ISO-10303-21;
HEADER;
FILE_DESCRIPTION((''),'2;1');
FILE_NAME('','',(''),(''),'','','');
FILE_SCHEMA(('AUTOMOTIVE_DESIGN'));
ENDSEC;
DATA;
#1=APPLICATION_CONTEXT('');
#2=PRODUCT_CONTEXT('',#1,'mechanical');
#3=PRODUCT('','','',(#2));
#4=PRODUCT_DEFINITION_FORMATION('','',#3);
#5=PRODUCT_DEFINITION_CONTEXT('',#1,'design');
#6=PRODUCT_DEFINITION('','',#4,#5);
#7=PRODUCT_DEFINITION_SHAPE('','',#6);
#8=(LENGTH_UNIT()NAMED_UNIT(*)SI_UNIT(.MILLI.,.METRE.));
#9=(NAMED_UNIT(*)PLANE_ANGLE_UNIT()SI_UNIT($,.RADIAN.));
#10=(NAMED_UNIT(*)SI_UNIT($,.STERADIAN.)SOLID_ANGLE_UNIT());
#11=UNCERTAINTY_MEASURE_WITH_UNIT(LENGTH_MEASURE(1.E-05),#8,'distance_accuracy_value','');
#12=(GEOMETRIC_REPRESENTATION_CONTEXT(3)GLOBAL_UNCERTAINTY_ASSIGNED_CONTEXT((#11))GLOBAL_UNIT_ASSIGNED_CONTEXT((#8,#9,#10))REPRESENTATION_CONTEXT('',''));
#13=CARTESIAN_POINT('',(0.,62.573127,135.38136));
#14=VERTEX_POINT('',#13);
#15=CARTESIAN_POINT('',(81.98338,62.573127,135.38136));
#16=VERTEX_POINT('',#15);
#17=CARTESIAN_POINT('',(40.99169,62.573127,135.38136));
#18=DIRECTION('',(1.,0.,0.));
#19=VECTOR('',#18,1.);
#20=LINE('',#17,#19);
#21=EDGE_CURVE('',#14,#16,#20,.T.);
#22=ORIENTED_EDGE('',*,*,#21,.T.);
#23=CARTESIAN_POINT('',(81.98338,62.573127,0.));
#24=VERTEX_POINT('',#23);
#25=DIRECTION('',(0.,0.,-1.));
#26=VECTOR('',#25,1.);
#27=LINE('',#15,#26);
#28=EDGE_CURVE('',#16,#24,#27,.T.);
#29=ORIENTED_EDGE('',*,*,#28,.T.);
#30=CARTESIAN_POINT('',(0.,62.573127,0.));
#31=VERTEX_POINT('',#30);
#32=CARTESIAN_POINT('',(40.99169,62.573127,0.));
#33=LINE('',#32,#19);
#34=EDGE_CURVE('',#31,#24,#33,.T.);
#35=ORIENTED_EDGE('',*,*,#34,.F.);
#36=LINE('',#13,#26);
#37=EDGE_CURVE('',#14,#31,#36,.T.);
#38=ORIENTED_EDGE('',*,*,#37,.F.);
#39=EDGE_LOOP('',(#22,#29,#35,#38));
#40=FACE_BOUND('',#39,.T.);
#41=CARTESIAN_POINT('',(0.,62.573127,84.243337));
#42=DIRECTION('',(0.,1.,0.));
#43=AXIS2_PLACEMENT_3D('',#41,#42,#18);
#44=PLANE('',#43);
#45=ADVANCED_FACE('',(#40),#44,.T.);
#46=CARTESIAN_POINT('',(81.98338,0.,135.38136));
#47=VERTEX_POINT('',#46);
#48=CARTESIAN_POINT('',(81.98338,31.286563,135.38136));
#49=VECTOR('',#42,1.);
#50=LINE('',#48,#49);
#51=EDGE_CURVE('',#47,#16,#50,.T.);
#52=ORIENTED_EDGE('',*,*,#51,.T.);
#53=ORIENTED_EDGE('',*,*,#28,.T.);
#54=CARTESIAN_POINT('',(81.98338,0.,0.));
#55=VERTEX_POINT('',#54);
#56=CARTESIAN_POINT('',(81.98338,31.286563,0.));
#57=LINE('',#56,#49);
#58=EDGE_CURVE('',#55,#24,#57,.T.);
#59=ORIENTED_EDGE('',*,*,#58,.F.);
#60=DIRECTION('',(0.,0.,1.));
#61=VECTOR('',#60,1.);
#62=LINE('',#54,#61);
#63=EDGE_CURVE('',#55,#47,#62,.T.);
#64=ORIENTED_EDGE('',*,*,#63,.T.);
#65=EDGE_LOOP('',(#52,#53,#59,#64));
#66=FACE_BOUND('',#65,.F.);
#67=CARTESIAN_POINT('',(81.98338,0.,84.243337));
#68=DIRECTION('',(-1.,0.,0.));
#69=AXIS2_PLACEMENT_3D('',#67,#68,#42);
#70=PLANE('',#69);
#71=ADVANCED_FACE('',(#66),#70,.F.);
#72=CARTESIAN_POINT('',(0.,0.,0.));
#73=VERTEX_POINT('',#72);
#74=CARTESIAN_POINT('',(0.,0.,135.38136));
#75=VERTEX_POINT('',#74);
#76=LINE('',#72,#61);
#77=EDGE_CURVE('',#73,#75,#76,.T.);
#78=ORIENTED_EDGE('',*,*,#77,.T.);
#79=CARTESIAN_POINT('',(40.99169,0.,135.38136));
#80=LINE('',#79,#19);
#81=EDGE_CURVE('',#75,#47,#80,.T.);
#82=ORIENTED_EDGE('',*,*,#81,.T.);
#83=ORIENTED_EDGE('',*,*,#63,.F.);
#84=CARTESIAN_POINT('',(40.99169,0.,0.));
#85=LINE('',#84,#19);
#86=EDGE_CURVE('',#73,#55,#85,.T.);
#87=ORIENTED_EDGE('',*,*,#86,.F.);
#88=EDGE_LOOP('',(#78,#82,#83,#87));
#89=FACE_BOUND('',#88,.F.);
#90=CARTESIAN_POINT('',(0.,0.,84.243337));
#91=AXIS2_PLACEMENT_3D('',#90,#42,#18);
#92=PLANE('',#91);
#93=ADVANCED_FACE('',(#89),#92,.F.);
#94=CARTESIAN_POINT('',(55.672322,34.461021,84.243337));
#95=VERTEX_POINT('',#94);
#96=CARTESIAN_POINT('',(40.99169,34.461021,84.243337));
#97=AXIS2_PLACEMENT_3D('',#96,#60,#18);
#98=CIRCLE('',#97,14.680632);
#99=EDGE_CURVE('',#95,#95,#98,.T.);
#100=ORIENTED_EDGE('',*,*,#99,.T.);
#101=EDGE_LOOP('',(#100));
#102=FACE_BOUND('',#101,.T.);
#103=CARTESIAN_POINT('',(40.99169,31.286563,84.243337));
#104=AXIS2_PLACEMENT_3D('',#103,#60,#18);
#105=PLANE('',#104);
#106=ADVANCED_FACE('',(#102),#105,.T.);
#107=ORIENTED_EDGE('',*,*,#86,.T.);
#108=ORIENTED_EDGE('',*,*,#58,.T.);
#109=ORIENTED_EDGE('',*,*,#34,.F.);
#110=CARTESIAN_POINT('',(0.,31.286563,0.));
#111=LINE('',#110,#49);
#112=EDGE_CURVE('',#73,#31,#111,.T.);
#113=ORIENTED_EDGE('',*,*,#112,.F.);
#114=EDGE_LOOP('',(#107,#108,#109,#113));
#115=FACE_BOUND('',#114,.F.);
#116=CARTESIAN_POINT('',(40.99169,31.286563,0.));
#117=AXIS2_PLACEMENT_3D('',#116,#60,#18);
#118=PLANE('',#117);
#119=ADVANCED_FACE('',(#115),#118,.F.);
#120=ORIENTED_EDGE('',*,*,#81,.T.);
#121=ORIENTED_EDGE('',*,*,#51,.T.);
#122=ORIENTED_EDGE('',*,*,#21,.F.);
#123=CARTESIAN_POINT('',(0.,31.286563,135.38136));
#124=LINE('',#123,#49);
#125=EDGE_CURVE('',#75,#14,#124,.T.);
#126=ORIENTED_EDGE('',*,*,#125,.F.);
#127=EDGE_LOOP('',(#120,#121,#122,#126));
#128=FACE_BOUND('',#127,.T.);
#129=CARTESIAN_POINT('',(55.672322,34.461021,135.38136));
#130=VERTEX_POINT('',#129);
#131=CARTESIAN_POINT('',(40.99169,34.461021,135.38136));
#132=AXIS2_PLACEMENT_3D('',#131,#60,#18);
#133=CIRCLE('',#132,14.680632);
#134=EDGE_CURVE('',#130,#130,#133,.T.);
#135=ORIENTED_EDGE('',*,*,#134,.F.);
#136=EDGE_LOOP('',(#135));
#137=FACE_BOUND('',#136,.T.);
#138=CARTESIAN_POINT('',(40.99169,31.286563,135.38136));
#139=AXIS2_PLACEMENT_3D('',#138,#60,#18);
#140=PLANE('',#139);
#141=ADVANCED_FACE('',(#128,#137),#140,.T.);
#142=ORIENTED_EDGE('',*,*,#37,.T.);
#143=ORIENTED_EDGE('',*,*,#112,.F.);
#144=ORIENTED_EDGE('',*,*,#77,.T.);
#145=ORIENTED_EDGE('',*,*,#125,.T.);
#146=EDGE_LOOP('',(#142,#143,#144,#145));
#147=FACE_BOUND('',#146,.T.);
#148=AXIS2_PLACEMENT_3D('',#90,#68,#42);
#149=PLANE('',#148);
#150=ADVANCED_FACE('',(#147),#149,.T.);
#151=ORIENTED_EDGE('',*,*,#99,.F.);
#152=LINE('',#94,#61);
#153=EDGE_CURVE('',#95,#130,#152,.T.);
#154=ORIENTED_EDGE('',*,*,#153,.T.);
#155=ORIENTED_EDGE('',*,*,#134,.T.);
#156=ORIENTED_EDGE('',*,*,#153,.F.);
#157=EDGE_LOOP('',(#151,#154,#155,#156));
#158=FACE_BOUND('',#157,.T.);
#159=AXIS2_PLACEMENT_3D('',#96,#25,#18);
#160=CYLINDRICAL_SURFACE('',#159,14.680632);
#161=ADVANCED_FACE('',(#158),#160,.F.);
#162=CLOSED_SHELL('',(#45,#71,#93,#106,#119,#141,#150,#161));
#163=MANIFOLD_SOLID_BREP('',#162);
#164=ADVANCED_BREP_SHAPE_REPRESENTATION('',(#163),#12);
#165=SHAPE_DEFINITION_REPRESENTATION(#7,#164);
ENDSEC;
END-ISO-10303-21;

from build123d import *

# Parameters (mm, degrees)
F0_W     = 81.98338
F0_H     = 62.573127
F1_DEPTH = 84.243337
F2_W     = 81.98338
F2_H     = 62.573127
F2_R     = 14.680632
F3_DEPTH = 51.138023


with BuildPart() as f1:
    # F0 (on Top) → F1 (new body)
    with BuildSketch(Plane.XY):
        with Locations((40.99169, 31.286563)):
            Rectangle(F0_W, F0_H)
    extrude(amount=F1_DEPTH)

    # F2 (on face) → F3 (join)
    with BuildSketch(Plane.XY.offset(84.243337)):
        with Locations((40.99169, 31.286563)):
            Rectangle(F2_W, F2_H)
        with Locations((40.99169, 34.461021)):
            Circle(F2_R, mode=Mode.SUBTRACT)
    extrude(amount=F3_DEPTH)


solid = f1.part
